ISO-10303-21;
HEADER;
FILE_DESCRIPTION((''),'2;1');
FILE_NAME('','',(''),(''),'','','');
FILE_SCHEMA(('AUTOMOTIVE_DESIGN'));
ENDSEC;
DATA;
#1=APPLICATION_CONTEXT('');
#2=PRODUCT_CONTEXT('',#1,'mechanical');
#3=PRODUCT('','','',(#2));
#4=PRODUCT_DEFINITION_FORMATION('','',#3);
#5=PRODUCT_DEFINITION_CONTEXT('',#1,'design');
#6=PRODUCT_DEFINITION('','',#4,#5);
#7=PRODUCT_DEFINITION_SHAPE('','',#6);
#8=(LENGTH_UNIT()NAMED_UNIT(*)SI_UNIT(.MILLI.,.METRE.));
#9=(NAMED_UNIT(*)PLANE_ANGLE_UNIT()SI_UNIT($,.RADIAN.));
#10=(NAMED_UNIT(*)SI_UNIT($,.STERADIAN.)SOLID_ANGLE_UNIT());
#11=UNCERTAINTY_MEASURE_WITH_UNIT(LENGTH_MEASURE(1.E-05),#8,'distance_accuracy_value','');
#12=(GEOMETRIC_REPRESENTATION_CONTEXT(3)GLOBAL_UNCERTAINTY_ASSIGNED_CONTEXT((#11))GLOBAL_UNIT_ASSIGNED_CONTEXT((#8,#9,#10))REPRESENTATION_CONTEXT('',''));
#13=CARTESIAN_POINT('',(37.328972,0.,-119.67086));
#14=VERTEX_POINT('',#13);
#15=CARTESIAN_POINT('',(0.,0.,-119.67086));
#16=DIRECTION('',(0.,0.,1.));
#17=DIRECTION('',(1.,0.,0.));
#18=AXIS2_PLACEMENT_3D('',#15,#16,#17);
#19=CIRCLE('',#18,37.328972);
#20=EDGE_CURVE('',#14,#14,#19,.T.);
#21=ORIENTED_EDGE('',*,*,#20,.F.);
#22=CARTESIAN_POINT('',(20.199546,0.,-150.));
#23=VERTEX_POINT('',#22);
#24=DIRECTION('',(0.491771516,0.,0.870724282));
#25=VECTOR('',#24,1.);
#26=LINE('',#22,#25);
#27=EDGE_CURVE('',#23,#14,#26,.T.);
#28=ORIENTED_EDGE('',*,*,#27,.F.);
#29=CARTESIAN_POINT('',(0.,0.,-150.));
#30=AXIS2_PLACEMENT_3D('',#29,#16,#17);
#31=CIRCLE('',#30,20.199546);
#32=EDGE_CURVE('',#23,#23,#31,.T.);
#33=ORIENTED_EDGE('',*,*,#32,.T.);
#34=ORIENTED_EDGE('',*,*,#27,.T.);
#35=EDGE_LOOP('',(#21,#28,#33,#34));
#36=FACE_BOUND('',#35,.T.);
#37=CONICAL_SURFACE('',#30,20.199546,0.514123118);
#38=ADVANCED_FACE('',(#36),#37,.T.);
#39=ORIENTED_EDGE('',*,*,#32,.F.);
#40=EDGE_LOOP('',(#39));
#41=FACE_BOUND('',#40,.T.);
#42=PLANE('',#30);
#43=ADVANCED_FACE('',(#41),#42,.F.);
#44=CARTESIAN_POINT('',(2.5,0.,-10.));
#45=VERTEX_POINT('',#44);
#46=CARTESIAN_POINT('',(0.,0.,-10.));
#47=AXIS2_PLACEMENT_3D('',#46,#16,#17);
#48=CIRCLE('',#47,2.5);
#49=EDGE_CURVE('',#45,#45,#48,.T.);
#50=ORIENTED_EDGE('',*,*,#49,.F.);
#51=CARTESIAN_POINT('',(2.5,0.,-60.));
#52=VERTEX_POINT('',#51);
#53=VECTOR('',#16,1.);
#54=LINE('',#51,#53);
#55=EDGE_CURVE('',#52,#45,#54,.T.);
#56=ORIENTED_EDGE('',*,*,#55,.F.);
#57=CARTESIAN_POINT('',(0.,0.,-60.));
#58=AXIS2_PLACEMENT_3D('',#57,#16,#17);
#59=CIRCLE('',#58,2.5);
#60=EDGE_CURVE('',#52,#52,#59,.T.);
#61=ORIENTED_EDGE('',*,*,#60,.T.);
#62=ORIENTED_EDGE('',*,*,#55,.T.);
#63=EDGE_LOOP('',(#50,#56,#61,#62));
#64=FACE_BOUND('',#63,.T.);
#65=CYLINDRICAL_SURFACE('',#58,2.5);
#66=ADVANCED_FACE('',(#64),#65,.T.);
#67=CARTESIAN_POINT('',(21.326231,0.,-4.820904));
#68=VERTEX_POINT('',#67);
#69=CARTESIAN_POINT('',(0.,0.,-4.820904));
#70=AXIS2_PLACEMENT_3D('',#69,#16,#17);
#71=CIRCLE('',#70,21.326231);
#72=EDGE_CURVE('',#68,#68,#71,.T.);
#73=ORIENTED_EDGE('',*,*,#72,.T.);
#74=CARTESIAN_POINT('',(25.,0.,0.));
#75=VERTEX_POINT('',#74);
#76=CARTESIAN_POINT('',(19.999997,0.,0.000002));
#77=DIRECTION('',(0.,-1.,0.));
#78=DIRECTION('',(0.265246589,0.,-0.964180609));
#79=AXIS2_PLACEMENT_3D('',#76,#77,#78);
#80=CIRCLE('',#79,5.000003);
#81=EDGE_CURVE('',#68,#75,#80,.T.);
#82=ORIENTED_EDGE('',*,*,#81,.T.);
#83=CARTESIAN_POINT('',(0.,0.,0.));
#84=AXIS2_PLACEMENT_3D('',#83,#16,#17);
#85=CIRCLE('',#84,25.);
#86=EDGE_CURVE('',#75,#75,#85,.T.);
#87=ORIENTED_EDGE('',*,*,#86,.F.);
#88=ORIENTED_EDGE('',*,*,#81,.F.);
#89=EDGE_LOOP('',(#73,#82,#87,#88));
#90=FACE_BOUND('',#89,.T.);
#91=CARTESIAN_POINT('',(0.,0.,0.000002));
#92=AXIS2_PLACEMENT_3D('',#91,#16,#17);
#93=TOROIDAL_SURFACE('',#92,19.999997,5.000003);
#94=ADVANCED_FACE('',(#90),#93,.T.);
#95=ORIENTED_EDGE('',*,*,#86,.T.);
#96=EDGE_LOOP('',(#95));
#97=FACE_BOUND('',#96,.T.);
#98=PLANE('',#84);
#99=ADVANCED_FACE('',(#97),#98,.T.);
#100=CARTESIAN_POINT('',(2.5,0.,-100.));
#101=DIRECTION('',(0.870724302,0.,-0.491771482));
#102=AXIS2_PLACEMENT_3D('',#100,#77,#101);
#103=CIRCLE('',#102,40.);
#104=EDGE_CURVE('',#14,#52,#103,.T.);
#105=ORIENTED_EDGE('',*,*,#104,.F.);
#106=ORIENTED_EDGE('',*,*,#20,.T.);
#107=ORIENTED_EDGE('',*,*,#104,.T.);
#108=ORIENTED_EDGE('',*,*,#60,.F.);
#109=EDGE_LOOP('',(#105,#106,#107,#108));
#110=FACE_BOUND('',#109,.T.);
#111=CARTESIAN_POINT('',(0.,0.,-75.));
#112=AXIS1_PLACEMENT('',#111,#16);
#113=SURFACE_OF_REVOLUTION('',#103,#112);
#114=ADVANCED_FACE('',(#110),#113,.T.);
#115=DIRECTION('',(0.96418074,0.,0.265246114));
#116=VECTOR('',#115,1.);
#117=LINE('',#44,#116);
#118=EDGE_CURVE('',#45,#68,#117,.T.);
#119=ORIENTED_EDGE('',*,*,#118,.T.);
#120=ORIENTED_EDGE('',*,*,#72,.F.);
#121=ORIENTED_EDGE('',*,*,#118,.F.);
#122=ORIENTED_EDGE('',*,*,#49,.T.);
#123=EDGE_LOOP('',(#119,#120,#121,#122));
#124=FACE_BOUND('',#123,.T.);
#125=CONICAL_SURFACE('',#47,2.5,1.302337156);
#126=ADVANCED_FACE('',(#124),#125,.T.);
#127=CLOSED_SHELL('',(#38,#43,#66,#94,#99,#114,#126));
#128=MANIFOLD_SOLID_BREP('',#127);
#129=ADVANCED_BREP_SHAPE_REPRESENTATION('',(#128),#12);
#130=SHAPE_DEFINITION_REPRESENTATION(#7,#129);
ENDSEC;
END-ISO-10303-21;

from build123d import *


with BuildPart() as f1:
    # F0 (on Front) → F1 (revolve)
    with BuildSketch(Plane.XZ):
        with BuildLine():
            Line((25, 0), (0, 0))
            Line((0, 0), (0, -150))
            Line((0, -150), (20.199546, -150))
            Line((20.199546, -150), (37.328972, -119.67086))
            ThreePointArc((37.328972, -119.67086), (37.045871, -79.836102), (2.5, -60))
            Line((2.5, -60), (2.5, -10))
            Line((2.5, -10), (21.326231, -4.820904))
            ThreePointArc((21.326231, -4.820904), (23.97688, -3.030581), (25, 0))
        make_face()
    revolve(axis=Axis((0, 0, -75), (0, 0, 1)))


solid = f1.part
